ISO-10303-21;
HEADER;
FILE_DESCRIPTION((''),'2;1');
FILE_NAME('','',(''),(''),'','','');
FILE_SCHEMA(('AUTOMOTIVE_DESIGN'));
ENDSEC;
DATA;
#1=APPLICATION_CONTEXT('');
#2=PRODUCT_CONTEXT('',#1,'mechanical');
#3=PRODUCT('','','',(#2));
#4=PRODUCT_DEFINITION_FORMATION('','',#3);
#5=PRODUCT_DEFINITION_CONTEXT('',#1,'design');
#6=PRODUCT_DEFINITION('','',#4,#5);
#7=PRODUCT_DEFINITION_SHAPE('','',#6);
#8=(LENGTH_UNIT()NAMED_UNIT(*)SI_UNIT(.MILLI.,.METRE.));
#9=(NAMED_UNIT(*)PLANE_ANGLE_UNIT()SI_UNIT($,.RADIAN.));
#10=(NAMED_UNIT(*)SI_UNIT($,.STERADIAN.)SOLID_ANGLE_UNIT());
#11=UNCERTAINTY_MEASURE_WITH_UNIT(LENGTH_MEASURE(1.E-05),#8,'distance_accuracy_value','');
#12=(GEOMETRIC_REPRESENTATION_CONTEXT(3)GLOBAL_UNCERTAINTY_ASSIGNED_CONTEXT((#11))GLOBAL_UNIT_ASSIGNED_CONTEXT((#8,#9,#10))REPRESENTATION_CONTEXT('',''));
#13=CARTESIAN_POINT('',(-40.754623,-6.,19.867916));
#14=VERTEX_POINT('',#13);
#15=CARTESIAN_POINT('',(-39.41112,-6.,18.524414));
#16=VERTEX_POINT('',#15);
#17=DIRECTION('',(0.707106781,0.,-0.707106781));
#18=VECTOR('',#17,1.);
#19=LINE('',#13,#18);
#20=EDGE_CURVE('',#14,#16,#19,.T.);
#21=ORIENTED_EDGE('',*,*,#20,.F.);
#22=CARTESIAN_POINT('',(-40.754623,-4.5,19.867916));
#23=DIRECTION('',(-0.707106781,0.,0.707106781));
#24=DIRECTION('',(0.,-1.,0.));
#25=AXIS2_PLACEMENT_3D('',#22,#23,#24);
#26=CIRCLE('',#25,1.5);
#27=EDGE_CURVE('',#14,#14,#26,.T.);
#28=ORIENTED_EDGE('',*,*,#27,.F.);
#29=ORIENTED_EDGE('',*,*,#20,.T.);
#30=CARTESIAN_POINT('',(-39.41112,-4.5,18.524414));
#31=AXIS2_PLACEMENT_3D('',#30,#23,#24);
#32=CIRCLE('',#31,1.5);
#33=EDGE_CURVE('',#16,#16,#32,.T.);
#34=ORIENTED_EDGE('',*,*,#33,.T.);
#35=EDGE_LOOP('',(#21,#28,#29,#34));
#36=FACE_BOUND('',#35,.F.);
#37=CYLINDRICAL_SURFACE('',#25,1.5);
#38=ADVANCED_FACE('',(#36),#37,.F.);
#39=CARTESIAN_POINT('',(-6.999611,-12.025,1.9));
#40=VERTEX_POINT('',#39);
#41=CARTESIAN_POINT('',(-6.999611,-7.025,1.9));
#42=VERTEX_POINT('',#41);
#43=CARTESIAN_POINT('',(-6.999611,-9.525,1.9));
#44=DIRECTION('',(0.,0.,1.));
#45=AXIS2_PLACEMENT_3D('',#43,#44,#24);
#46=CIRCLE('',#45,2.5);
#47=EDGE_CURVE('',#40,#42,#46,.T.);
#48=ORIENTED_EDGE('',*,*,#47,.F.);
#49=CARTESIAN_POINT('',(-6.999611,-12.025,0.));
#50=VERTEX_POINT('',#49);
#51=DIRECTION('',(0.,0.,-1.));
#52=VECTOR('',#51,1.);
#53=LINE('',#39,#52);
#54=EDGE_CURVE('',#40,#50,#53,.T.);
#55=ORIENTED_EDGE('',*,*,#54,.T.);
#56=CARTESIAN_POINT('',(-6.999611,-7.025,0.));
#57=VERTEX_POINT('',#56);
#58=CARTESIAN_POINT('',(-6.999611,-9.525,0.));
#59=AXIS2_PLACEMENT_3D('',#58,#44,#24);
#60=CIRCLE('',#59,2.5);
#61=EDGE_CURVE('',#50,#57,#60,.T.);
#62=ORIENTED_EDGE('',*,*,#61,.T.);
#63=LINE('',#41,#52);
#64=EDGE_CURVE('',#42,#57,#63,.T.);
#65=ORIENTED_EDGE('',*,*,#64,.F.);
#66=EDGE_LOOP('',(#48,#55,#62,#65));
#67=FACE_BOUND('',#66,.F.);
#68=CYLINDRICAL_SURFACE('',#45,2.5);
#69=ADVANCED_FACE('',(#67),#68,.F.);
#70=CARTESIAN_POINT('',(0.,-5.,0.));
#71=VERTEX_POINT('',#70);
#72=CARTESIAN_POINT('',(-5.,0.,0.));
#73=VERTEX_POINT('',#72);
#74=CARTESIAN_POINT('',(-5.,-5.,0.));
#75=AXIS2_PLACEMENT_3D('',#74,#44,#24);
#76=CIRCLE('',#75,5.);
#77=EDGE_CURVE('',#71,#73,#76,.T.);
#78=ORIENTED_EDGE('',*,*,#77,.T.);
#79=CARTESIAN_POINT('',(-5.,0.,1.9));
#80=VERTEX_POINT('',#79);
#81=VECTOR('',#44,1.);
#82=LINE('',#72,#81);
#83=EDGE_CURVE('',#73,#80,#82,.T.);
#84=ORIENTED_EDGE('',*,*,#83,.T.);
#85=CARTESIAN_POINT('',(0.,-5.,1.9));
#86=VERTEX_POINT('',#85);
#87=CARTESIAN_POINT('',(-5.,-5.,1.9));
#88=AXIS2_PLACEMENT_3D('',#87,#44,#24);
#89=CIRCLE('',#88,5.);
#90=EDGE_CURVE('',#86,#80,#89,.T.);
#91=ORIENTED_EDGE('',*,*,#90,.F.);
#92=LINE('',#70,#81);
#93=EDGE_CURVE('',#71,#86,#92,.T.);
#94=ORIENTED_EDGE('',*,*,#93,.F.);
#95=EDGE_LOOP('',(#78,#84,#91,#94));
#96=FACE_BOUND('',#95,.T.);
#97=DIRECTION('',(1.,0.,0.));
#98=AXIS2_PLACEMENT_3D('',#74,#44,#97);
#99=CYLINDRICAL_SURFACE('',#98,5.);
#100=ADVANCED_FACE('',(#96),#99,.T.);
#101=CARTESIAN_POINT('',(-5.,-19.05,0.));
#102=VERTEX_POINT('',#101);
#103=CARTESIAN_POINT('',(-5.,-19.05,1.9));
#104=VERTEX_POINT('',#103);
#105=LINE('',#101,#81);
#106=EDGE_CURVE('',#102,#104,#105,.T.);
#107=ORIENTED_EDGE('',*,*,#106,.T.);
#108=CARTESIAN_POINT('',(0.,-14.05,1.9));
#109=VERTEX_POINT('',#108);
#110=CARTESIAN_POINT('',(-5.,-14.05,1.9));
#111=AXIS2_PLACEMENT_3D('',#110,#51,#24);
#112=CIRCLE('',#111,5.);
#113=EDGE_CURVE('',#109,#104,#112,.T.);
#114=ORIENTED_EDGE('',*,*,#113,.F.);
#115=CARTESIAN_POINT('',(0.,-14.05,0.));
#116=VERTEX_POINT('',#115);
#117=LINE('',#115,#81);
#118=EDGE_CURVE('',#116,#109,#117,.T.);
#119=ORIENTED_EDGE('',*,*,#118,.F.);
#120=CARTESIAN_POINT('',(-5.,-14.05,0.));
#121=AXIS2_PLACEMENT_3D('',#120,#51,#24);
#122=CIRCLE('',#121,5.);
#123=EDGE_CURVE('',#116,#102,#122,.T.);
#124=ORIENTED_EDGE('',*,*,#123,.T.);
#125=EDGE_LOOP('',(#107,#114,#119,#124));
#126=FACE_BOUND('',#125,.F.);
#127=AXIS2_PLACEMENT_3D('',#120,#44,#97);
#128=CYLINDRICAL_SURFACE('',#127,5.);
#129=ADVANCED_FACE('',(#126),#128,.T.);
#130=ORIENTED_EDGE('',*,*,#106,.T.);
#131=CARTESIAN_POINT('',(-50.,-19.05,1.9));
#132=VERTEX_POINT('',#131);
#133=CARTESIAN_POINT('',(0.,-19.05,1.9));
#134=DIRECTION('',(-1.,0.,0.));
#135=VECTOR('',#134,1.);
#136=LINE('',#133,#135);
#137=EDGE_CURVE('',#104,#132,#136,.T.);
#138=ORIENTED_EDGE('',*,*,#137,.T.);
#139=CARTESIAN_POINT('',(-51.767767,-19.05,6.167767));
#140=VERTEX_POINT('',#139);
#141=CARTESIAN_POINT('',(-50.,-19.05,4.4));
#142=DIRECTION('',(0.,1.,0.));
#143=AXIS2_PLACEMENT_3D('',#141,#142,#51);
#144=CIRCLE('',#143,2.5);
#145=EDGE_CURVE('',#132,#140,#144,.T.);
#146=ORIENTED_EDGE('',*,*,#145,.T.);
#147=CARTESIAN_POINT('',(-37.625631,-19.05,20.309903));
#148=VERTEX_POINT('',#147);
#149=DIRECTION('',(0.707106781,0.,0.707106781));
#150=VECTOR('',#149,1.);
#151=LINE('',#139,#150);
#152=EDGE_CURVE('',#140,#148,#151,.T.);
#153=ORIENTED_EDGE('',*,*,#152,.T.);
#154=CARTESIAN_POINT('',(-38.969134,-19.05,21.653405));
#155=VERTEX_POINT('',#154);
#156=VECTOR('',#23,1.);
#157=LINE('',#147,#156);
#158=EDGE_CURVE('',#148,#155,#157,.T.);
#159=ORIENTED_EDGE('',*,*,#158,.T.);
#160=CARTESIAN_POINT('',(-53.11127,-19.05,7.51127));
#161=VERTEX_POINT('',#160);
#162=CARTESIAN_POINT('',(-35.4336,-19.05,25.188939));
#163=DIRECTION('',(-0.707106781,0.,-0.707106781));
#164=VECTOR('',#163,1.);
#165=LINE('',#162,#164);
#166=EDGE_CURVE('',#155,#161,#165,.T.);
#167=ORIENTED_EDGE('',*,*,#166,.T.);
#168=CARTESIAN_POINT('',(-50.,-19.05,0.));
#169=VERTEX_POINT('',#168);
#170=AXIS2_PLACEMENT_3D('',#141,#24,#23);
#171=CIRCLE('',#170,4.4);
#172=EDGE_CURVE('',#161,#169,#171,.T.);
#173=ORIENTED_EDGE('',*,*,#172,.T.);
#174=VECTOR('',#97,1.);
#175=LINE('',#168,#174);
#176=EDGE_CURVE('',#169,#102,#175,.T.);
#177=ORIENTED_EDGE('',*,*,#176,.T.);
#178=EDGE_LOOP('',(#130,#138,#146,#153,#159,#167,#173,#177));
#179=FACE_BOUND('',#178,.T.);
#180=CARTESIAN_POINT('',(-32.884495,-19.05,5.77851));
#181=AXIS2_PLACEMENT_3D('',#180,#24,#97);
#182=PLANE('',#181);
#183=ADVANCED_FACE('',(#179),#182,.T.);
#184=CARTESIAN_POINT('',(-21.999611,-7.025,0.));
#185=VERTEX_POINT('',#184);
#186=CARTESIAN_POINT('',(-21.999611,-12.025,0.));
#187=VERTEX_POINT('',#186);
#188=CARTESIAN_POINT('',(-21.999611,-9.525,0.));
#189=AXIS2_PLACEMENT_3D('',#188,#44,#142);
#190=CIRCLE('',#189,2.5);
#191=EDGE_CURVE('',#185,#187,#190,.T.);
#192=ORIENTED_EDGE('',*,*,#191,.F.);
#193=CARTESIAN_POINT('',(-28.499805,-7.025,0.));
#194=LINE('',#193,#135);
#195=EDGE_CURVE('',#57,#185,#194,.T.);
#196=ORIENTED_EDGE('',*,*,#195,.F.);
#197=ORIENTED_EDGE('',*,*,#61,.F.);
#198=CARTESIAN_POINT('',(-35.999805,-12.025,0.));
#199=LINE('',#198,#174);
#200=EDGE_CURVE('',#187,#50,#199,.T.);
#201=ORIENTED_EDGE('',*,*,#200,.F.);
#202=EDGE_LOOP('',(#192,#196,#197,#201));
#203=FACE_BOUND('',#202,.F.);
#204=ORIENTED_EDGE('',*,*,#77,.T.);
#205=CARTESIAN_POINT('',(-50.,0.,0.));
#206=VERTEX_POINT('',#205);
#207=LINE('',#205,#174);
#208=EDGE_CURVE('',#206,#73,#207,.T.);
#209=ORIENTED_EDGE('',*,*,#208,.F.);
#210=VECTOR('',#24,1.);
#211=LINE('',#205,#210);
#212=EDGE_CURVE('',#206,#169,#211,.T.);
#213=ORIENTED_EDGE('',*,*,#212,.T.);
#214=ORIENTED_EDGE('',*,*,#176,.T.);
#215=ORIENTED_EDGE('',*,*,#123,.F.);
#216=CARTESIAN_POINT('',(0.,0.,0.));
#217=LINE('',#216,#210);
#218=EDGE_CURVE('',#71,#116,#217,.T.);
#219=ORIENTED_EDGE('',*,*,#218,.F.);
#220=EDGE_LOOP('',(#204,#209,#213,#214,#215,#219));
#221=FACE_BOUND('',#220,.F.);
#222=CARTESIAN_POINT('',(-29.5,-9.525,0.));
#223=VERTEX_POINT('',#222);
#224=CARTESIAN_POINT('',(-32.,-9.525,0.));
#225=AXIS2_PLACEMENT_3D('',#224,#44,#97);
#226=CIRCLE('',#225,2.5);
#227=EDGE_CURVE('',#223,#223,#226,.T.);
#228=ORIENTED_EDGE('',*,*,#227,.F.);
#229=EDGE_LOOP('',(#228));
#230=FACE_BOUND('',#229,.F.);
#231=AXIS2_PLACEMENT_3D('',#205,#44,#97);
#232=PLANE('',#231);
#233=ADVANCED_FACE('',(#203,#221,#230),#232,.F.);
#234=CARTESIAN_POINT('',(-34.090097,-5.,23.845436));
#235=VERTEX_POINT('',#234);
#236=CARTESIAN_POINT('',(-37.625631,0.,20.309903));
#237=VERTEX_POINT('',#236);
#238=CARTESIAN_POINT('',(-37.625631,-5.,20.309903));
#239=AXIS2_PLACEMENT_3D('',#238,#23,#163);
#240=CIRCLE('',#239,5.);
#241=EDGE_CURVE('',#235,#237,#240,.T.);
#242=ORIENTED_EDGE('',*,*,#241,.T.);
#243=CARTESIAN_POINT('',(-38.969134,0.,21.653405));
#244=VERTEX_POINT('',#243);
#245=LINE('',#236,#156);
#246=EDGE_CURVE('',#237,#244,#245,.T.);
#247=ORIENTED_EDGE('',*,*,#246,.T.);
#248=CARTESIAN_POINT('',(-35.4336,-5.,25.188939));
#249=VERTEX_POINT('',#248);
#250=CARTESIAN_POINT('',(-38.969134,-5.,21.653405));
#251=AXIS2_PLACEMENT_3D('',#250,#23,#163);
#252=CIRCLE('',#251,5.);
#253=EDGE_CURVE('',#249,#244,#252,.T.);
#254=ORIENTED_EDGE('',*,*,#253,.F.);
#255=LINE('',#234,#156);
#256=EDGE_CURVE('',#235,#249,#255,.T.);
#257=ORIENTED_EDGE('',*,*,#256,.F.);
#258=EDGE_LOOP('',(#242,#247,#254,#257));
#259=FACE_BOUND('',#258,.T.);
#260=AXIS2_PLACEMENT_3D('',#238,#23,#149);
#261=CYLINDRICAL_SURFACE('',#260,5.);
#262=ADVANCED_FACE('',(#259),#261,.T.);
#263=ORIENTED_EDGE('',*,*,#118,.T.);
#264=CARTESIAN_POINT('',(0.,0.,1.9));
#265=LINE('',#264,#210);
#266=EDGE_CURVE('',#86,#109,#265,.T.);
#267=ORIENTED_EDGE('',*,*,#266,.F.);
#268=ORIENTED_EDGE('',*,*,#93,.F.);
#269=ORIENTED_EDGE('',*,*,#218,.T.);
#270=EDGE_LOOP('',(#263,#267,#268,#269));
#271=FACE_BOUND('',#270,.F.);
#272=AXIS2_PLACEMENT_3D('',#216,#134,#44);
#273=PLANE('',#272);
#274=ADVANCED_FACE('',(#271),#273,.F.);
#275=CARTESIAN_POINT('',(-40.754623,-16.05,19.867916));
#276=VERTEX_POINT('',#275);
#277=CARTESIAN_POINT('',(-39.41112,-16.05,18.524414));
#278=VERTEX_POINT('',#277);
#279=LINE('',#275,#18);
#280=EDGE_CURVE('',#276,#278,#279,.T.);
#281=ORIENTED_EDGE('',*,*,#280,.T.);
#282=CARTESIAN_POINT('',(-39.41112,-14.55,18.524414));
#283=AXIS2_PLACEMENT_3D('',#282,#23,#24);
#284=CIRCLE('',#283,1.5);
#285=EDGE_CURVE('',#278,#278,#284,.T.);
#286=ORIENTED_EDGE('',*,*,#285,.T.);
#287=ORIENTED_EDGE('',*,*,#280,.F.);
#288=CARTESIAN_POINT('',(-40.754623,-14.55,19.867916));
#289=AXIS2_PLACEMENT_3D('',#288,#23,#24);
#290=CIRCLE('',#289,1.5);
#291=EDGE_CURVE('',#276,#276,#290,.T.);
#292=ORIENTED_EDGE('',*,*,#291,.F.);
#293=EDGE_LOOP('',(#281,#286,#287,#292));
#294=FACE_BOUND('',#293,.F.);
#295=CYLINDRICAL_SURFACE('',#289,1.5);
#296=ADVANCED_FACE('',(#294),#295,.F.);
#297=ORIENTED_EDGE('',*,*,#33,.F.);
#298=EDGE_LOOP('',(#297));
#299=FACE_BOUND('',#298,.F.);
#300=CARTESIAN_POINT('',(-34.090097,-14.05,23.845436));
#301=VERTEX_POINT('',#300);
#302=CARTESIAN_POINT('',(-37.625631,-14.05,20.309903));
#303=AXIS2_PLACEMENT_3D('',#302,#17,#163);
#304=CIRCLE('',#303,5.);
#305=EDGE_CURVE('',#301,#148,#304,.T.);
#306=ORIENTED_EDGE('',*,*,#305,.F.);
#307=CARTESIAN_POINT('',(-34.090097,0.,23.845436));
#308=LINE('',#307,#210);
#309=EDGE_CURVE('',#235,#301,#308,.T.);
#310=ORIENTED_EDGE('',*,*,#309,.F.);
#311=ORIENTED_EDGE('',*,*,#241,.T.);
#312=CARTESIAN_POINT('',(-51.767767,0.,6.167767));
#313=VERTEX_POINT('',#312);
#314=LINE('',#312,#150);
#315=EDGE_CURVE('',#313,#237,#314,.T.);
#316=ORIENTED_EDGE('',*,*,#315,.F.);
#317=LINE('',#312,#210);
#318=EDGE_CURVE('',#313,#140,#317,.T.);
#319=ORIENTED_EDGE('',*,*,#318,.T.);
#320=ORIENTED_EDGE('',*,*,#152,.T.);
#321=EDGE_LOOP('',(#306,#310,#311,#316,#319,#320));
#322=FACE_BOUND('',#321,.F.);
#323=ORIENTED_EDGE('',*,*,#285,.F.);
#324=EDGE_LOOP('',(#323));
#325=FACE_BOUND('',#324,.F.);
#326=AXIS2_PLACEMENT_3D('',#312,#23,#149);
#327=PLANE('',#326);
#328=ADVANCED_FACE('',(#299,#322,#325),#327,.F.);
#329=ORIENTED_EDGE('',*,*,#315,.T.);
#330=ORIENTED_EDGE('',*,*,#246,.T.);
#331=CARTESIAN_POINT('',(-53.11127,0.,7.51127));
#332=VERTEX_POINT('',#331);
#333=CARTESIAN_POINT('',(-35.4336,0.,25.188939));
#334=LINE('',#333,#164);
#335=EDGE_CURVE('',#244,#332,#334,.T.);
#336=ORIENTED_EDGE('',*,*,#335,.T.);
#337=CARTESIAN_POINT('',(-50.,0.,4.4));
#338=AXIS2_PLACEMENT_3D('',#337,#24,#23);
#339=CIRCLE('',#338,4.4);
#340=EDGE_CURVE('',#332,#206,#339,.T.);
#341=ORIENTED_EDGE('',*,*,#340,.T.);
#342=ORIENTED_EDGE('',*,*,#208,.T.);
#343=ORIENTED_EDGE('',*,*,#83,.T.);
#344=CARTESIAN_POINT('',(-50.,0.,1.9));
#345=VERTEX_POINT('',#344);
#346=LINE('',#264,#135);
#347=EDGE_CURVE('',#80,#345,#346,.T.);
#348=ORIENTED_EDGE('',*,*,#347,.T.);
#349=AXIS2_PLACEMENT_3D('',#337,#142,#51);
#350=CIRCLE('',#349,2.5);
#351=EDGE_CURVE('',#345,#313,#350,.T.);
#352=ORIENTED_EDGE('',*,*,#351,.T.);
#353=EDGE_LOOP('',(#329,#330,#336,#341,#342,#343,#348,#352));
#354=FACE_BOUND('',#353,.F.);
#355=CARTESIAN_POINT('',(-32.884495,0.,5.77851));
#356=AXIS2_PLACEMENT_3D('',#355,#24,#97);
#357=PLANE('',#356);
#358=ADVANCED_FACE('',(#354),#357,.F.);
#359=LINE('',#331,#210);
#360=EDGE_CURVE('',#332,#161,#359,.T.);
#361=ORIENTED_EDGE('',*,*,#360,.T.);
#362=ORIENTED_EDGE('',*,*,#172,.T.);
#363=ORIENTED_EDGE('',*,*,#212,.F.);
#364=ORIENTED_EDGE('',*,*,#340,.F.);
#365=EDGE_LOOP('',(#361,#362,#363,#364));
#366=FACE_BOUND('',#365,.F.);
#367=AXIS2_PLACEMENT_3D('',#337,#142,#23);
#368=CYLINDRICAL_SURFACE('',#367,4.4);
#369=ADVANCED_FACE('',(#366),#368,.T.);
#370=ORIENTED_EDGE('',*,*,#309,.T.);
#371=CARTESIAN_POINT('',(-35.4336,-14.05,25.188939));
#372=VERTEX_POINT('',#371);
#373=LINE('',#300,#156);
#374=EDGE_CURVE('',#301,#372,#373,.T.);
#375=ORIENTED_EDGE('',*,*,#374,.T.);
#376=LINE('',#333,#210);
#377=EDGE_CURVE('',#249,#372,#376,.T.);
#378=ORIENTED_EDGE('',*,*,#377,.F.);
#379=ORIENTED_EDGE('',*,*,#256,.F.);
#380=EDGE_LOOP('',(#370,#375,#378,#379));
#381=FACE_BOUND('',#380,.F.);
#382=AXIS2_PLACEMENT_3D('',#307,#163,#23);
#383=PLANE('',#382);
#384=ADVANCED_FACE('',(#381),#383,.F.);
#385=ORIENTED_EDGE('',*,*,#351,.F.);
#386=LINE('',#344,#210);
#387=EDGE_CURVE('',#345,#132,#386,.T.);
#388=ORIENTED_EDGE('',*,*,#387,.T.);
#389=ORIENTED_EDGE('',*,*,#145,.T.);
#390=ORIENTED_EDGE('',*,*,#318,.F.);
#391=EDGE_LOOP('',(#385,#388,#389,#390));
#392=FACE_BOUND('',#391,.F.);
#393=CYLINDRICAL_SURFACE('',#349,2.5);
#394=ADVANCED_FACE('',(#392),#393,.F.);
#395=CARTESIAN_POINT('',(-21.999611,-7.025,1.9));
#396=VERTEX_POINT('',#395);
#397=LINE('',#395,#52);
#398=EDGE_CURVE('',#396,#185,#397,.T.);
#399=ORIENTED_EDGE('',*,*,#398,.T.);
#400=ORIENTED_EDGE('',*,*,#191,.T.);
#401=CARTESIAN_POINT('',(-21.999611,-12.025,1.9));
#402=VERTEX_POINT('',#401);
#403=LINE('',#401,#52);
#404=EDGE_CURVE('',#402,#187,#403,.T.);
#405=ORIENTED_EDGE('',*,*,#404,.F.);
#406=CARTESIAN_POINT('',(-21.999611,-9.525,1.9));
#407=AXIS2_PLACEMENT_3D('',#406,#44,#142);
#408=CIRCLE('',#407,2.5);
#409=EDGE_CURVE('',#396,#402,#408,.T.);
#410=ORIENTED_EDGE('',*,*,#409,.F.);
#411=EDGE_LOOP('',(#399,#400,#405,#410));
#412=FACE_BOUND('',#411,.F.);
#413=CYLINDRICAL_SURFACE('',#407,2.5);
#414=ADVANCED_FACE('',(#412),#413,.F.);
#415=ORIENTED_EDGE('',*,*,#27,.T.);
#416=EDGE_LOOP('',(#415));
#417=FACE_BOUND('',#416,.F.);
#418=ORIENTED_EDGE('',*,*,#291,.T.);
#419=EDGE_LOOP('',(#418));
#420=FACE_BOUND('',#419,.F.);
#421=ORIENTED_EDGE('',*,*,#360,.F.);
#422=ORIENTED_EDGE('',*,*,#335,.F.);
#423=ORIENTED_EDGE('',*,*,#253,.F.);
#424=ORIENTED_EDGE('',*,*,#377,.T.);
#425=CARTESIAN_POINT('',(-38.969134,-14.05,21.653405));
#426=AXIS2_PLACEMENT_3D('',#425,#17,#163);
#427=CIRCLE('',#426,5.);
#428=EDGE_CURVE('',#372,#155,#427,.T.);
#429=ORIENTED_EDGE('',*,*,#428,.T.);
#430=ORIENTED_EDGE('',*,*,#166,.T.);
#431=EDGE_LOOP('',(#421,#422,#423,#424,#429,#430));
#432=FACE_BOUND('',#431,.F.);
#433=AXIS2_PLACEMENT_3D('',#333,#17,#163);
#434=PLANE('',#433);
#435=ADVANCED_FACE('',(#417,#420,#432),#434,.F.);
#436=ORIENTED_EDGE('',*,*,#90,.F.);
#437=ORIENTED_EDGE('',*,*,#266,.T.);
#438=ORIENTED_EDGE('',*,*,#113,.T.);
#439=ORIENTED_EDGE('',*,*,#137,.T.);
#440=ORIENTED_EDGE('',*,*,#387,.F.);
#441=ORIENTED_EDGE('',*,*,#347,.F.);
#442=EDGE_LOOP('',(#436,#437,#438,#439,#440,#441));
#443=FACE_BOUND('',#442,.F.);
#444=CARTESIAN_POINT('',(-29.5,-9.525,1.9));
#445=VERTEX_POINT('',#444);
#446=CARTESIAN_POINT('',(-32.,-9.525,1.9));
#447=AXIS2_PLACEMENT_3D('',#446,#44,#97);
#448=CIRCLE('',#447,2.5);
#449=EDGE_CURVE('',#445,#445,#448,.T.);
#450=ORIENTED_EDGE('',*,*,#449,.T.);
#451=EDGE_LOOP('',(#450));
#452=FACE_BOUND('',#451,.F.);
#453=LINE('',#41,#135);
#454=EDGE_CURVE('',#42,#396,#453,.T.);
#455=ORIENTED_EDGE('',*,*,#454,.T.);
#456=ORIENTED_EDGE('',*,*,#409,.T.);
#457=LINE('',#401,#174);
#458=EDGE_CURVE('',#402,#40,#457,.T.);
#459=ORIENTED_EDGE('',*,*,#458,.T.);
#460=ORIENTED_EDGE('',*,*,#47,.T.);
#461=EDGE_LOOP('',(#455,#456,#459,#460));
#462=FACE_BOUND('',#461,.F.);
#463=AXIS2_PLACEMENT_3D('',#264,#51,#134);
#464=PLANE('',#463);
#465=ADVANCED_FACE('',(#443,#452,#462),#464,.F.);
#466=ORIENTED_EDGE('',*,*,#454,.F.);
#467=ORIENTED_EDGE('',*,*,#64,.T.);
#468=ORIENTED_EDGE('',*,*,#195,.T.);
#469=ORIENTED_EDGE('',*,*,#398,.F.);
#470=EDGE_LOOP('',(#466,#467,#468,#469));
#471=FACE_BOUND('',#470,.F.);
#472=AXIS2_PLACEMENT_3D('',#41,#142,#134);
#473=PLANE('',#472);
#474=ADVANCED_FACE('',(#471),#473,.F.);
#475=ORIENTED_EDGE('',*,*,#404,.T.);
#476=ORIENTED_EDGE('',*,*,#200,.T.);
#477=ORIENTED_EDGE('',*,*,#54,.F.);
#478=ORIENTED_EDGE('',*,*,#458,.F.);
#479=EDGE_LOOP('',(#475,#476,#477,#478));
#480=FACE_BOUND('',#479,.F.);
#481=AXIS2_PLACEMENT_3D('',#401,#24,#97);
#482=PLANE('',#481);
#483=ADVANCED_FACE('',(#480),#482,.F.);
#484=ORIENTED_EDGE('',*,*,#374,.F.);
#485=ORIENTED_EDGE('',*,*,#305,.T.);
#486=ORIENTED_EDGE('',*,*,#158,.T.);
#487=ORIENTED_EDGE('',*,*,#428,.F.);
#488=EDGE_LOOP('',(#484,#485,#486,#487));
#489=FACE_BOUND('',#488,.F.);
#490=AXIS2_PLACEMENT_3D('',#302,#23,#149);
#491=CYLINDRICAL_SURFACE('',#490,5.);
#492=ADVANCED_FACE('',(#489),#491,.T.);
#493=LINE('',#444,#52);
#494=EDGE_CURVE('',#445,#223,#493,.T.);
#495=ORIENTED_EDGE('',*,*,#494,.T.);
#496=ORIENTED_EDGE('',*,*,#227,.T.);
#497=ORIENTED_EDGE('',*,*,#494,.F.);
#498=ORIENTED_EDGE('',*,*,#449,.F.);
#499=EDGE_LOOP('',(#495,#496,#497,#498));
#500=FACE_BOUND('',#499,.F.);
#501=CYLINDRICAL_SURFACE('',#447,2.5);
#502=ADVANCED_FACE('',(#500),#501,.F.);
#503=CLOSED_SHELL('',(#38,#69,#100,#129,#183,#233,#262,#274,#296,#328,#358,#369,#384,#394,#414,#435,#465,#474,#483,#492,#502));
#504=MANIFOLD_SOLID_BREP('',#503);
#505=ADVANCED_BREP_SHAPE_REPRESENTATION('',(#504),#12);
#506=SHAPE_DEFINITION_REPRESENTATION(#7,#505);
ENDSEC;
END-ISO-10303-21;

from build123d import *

# Parameters (mm, degrees)
F1_DEPTH = 19.05
F2_R     = 5
F3_R     = 1.5
F4_DEPTH = 1.9
F5_R     = 2.5
F6_DEPTH = 1.901


with BuildPart() as f1:
    # F0 (on Front) → F1 (new body)
    with BuildSketch(Plane.XZ):
        with BuildLine():
            Line((-50, 0), (0, 0))
            Line((0, 0), (0, 1.9))
            Line((0, 1.9), (-50, 1.9))
            ThreePointArc((-50, 1.9), (-52.3096988313, 3.4432914191), (-51.767766953, 6.167766953))
            Line((-51.767766953, 6.167766953), (-34.0900974233, 23.8454364826))
            Line((-34.0900974233, 23.8454364826), (-35.4336003076, 25.1889393669))
            Line((-35.4336003076, 25.1889393669), (-53.1112698372, 7.5112698372))
            ThreePointArc((-53.1112698372, 7.5112698372), (-54.065069943, 2.7161928976), (-50, 0))
        make_face()
    extrude(amount=F1_DEPTH)

    # F2
    f2_edges = [f1.edges().sort_by_distance(p)[0] for p in [
        (-34.761849, -19.05, 24.517188),
        (-34.761849, 0, 24.517188),
        (0, 0, 0.95),
        (0, -19.05, 0.95),
    ]]
    fillet(f2_edges, radius=F2_R)

    # F3 (on face) → F4 (cut, through all)
    with BuildSketch(Plane(origin=(-30.3112698372, 0, 30.3112698372), x_dir=(0, -1, 0), z_dir=(-0.7071067812, 0, 0.7071067812))):
        with Locations((14.55, -14.7691320366)):
            Circle(F3_R)
        with Locations((4.5, -14.7691320366)):
            Circle(F3_R)
    extrude(amount=-F4_DEPTH, mode=Mode.SUBTRACT)

    # F5 (on face) → F6 (cut, through all)
    with BuildSketch(Plane.XY.offset(1.9)):
        with BuildLine():
            ThreePointArc((-6.9996106977, -12.025), (-4.4996106977, -9.525), (-6.9996106977, -7.025))
            Line((-6.9996106977, -7.025), (-21.9996106977, -7.025))
            ThreePointArc((-21.9996106977, -7.025), (-24.4996106977, -9.525), (-21.9996106977, -12.025))
            Line((-21.9996106977, -12.025), (-6.9996106977, -12.025))
        make_face()
        with Locations((-32, -9.525)):
            Circle(F5_R)
    extrude(amount=-F6_DEPTH, mode=Mode.SUBTRACT)


solid = f1.part
